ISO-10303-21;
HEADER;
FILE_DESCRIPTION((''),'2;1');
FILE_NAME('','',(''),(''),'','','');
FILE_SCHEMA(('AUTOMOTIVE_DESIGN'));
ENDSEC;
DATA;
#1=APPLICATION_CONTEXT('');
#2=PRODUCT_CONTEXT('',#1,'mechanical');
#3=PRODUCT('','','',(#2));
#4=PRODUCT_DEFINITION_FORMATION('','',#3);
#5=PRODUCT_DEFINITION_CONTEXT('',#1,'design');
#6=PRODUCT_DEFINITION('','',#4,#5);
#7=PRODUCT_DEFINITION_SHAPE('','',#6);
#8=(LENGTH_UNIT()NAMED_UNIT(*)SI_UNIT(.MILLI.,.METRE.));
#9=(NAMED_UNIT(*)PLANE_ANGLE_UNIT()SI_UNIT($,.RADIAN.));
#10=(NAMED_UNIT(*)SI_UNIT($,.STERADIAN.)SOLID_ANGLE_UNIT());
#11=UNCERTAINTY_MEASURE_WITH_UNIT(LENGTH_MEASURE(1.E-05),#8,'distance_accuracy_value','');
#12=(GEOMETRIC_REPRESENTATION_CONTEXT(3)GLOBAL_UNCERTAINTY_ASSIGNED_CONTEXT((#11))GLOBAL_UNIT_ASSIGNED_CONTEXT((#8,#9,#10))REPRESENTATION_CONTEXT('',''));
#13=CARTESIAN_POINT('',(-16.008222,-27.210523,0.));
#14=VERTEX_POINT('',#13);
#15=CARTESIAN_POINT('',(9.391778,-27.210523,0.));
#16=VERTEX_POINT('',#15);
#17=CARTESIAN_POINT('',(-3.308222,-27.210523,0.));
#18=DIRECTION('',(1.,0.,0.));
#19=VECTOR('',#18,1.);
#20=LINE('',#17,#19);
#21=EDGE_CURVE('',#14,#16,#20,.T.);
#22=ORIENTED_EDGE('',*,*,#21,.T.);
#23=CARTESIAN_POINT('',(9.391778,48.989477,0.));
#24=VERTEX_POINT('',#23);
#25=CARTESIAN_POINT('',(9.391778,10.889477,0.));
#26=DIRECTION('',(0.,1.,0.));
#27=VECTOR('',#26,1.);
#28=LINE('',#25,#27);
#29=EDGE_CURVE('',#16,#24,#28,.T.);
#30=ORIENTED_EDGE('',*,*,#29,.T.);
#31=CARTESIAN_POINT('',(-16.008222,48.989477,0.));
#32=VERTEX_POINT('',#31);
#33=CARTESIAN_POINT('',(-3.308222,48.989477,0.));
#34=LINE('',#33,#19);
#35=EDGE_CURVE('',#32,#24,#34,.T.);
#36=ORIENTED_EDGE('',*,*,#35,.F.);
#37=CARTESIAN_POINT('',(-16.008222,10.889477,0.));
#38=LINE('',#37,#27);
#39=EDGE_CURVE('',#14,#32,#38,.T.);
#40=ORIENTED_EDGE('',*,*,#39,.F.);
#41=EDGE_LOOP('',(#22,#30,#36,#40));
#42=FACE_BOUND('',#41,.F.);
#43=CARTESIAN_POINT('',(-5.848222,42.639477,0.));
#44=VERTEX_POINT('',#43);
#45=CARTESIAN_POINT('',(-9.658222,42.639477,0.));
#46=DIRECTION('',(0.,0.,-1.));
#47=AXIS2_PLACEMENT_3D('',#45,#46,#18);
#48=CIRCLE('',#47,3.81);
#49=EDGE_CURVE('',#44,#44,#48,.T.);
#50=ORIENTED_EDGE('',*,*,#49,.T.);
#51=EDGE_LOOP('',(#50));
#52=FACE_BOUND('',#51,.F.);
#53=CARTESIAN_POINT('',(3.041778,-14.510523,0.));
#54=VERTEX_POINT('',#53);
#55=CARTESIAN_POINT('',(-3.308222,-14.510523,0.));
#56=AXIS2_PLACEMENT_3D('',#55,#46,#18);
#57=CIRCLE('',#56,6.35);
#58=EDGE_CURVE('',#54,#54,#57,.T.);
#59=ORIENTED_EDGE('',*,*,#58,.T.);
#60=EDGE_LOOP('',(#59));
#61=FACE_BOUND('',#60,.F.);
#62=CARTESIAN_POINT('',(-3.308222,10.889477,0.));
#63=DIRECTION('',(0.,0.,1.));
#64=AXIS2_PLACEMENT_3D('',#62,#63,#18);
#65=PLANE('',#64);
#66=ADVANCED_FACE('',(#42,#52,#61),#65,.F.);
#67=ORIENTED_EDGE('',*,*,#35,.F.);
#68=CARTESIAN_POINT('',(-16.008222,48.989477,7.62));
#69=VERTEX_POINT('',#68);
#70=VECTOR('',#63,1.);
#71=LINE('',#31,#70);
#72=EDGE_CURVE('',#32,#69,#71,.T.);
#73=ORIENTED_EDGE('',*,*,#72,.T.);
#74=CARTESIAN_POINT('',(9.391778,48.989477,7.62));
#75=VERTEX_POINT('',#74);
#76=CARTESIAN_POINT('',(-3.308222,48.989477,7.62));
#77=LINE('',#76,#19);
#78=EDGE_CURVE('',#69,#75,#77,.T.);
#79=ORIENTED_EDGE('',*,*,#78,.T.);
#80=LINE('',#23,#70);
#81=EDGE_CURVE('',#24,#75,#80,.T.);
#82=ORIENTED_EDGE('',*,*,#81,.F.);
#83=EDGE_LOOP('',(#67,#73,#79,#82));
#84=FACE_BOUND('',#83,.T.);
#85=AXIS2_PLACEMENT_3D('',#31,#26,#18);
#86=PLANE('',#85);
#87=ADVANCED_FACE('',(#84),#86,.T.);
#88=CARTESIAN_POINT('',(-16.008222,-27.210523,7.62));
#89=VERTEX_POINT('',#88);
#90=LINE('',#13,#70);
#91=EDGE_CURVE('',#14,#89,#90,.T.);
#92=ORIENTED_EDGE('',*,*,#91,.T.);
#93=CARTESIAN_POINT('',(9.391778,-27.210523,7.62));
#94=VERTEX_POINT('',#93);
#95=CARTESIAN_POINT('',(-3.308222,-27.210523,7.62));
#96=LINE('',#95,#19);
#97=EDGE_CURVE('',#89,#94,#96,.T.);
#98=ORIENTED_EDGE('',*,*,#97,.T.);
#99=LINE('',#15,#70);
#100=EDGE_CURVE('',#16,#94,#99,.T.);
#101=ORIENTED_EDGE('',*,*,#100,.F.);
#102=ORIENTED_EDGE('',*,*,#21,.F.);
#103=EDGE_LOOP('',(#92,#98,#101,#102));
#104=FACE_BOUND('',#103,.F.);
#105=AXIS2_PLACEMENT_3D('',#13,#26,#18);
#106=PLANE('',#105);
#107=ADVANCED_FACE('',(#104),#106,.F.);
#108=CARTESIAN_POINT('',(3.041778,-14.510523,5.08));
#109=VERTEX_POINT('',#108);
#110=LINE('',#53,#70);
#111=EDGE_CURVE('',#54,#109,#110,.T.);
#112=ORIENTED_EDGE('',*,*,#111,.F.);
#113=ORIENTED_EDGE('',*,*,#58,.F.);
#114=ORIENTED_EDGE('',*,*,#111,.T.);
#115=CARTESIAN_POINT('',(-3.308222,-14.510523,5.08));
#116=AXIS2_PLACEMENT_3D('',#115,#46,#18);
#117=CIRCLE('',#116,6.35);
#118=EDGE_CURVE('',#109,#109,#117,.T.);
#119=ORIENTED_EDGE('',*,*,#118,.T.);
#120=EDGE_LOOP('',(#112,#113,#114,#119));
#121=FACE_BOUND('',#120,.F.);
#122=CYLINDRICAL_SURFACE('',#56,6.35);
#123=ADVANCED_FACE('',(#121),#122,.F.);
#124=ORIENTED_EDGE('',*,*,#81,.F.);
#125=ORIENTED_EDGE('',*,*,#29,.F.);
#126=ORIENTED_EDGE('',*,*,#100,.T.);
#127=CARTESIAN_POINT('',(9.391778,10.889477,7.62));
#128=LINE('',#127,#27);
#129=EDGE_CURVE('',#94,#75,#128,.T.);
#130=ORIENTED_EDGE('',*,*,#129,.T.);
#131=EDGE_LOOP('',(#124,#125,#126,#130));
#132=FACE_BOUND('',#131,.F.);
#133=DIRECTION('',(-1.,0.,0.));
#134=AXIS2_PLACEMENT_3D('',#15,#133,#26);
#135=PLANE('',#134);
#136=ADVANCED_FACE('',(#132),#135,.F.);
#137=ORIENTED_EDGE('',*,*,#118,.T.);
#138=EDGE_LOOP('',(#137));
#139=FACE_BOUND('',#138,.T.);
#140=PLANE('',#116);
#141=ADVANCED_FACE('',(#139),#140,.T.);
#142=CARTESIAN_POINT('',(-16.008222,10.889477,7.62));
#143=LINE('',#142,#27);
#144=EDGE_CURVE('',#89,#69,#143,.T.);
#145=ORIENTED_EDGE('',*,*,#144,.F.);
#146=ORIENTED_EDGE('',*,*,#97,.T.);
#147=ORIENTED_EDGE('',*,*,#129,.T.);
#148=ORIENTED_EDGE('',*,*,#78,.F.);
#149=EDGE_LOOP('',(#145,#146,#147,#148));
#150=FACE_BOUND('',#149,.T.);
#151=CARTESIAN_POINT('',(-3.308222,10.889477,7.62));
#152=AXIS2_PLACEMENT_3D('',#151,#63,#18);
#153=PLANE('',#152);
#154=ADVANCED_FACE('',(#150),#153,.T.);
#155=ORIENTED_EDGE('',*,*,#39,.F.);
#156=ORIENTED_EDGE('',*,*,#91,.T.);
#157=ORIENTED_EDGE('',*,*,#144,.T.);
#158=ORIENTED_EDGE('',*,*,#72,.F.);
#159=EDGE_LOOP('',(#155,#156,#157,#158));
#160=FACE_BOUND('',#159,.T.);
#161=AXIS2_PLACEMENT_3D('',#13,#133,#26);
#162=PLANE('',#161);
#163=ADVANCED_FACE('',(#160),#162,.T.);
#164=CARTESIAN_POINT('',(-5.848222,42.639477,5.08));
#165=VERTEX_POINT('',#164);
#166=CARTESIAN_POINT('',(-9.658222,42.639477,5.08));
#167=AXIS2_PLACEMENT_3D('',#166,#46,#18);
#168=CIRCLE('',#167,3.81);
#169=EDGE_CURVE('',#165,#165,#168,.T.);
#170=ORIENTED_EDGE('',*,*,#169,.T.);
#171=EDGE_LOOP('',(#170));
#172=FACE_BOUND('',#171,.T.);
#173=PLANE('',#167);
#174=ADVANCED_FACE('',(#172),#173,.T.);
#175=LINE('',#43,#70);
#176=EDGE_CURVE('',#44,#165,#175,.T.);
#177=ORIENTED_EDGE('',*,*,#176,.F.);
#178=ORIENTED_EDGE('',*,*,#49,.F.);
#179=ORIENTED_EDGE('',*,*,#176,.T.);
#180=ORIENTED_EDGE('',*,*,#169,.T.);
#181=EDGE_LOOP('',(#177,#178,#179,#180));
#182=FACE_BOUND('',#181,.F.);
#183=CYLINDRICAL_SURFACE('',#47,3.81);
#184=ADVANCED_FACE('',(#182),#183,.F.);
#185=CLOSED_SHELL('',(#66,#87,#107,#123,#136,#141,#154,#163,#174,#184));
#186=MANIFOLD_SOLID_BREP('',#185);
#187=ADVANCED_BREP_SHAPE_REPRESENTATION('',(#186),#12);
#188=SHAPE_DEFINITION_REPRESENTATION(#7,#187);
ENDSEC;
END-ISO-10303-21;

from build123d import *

# Parameters (mm, degrees)
F0_W     = 25.4
F0_H     = 76.2
F1_DEPTH = 7.62
F2_R     = 6.35
F3_DEPTH = 5.08
F4_R     = 3.81
F5_DEPTH = 5.08


with BuildPart() as f1:
    # F0 (on Top) → F1 (new body)
    with BuildSketch(Plane.XY):
        with Locations((-3.308222, 10.889477)):
            Rectangle(F0_W, F0_H)
    extrude(amount=F1_DEPTH)

    # F2 (on face) → F3 (cut)
    with BuildSketch(Plane(origin=(0, 0, 0), x_dir=(1, 0, 0), z_dir=(0, 0, -1))):
        with Locations((-3.308222, 14.510523)):
            Circle(F2_R)
    extrude(amount=-F3_DEPTH, mode=Mode.SUBTRACT)

    # F4 (on face) → F5 (cut)
    with BuildSketch(Plane(origin=(0, 0, 0), x_dir=(1, 0, 0), z_dir=(0, 0, -1))):
        with Locations((-9.658222, -42.639477)):
            Circle(F4_R)
    extrude(amount=-F5_DEPTH, mode=Mode.SUBTRACT)


solid = f1.part
